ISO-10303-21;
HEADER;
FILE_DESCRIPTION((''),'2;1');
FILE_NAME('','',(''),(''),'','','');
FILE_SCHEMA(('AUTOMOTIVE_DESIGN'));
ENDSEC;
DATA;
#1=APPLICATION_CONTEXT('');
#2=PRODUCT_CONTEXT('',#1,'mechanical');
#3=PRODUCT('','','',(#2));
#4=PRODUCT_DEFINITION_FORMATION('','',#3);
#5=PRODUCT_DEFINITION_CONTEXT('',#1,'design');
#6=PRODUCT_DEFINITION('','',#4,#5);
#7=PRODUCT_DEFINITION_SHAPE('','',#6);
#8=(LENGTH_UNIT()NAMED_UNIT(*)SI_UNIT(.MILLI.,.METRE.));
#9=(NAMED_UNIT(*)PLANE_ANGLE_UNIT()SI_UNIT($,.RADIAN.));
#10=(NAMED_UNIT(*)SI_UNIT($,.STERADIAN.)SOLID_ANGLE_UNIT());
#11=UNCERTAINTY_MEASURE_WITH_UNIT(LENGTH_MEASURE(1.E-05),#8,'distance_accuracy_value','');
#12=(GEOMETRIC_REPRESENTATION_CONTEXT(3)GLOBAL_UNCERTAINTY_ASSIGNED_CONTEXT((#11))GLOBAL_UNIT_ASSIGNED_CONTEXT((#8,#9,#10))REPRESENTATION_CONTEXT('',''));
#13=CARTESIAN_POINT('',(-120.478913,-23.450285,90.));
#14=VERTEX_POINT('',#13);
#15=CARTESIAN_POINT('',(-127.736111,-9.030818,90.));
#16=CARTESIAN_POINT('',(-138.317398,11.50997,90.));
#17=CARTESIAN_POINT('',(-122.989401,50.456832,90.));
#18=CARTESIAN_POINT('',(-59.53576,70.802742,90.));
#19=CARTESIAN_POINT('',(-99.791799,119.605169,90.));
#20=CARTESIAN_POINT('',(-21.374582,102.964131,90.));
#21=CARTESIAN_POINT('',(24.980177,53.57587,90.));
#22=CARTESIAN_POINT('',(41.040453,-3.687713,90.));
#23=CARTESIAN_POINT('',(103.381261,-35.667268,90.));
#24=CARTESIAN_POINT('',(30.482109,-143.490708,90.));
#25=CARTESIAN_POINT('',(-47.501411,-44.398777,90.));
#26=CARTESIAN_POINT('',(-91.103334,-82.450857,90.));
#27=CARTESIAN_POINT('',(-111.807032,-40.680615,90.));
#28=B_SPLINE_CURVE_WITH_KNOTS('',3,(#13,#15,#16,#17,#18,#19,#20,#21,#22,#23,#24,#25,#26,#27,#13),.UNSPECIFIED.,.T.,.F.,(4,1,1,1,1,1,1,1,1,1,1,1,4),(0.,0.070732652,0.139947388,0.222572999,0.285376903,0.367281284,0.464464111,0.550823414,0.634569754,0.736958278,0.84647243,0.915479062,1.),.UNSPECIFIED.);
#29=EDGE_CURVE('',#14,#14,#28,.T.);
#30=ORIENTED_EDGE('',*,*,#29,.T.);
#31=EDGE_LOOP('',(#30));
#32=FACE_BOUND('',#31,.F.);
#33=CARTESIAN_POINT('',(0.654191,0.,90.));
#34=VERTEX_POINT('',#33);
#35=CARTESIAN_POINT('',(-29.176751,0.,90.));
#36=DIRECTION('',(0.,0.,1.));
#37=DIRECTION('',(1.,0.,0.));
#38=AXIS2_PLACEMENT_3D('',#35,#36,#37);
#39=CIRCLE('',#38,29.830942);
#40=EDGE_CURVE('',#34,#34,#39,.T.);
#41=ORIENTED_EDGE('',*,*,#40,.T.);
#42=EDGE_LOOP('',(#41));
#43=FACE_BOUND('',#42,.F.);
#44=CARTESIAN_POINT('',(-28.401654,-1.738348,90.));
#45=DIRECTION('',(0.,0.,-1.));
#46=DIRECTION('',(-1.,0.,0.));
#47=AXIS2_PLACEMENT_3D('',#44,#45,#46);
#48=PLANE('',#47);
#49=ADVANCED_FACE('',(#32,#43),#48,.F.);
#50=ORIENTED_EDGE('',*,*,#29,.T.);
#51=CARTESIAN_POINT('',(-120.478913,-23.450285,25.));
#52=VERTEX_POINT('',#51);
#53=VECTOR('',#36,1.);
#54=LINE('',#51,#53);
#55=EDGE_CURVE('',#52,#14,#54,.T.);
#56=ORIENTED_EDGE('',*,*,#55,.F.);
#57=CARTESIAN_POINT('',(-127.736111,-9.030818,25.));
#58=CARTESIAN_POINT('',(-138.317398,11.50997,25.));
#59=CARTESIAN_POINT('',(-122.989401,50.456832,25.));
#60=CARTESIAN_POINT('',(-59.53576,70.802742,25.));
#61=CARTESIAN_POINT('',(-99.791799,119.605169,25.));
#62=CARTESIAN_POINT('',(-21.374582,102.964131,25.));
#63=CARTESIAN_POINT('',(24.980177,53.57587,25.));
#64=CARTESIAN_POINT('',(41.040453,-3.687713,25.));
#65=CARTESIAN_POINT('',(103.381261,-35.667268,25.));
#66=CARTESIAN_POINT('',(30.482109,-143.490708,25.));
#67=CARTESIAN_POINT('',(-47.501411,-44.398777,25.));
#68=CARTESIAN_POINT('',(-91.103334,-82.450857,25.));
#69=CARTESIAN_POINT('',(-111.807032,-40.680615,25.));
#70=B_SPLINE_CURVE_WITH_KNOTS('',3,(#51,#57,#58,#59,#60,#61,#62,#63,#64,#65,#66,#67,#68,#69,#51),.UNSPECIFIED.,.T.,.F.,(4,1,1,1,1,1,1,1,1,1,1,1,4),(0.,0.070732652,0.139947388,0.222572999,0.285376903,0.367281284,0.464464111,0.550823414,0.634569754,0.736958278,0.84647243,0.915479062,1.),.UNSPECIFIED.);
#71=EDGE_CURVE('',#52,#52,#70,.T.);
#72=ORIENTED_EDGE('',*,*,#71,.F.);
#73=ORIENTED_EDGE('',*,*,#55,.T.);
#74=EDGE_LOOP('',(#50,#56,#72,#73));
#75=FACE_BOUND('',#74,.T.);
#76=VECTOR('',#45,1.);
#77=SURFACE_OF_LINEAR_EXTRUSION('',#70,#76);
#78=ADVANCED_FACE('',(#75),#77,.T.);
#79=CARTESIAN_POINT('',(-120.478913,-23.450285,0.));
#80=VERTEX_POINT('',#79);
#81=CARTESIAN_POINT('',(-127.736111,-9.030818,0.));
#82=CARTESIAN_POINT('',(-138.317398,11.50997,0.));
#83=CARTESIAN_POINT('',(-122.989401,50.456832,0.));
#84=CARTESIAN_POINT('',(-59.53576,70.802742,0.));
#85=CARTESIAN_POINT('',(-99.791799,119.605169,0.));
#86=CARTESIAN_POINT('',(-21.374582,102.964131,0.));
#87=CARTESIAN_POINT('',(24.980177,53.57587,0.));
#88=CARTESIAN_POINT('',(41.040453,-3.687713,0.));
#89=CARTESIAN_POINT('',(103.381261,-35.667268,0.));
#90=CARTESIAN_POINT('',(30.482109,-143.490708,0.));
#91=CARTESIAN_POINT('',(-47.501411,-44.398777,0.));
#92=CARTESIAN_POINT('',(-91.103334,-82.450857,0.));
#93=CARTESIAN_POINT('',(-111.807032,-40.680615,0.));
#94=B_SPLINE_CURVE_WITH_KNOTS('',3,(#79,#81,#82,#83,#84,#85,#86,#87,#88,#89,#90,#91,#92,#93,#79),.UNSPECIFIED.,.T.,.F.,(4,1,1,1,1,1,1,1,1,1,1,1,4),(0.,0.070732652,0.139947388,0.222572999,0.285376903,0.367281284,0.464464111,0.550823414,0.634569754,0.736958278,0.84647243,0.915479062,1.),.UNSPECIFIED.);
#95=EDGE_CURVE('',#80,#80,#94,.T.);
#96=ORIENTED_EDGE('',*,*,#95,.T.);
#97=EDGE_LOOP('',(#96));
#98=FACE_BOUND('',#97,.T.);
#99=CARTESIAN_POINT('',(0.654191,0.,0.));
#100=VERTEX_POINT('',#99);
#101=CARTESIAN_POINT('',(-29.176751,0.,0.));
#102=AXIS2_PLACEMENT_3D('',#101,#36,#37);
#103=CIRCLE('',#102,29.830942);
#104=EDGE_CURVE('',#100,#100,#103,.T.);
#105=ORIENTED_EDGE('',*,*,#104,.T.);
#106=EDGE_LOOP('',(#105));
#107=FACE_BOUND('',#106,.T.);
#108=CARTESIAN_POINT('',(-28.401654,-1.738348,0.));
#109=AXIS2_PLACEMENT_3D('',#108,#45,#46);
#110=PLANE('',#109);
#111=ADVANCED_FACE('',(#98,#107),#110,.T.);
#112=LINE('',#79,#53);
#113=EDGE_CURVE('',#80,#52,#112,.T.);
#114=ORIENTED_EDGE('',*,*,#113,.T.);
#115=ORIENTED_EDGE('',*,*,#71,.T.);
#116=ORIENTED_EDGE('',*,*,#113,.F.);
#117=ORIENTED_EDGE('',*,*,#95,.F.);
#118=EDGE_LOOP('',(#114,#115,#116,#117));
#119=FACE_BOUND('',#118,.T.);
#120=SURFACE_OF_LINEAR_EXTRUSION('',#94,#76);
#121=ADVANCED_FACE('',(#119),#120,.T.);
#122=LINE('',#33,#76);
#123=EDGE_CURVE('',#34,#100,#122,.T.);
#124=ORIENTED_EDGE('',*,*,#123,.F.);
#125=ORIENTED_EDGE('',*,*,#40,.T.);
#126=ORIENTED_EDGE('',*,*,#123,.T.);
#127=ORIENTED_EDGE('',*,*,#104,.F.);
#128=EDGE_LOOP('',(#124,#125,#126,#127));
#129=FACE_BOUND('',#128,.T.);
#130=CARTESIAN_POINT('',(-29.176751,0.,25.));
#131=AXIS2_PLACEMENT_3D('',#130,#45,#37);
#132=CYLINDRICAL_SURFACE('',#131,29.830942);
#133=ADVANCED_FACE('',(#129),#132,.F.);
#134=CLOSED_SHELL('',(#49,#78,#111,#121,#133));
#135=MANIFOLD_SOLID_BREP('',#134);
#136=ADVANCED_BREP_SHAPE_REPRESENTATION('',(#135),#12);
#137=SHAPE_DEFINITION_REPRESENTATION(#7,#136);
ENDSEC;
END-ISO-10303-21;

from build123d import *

# Parameters (mm, degrees)
F1_DEPTH = 25
F2_R     = 29.8309422178
F3_DEPTH = 25
F4_DEPTH = 65


with BuildPart() as f1:
    # F0 (on Top) → F1 (new body)
    with BuildSketch(Plane.XY):
        with BuildLine():
            add(Edge.make_bspline(
                [(-120.478913188, -23.4502851963), (-127.7361105058, -9.0308177291), (-138.3173981606, 11.5099695366), (-122.9894012689, 50.4568321727), (-59.5357603147, 70.8027418624), (-99.7917994387, 119.6051685705), (-21.3745821277, 102.9641305062), (24.9801771712, 53.5758698373), (41.0404531673, -3.687713407), (103.3812606847, -35.6672679022), (30.4821086088, -143.4907075484), (-47.5014114427, -44.3987770448), (-91.1033337301, -82.4508573526), (-111.8070323614, -40.6806150305), (-120.478913188, -23.4502851963)],
                knots=[0, 0, 0, 0, 0.070732652, 0.1399473882, 0.2225729987, 0.2853769031, 0.3672812843, 0.4644641114, 0.5508234144, 0.6345697536, 0.7369582776, 0.8464724297, 0.9154790615, 1, 1, 1, 1], degree=3))
        make_face()
    extrude(amount=F1_DEPTH)

    # F2 (on face) → F3 (cut)
    with BuildSketch(Plane.XY.offset(25)):
        with Locations((-29.1767511517, 0)):
            Circle(F2_R)
    extrude(amount=-F3_DEPTH, mode=Mode.SUBTRACT)

    # F4 (add): a face of the model
    f4_faces = [f1.faces().sort_by_distance(p)[0] for p in [
        (40.7031138528, 5.2065083786, 25),
    ]]
    extrude(f4_faces, amount=F4_DEPTH)


solid = f1.part
